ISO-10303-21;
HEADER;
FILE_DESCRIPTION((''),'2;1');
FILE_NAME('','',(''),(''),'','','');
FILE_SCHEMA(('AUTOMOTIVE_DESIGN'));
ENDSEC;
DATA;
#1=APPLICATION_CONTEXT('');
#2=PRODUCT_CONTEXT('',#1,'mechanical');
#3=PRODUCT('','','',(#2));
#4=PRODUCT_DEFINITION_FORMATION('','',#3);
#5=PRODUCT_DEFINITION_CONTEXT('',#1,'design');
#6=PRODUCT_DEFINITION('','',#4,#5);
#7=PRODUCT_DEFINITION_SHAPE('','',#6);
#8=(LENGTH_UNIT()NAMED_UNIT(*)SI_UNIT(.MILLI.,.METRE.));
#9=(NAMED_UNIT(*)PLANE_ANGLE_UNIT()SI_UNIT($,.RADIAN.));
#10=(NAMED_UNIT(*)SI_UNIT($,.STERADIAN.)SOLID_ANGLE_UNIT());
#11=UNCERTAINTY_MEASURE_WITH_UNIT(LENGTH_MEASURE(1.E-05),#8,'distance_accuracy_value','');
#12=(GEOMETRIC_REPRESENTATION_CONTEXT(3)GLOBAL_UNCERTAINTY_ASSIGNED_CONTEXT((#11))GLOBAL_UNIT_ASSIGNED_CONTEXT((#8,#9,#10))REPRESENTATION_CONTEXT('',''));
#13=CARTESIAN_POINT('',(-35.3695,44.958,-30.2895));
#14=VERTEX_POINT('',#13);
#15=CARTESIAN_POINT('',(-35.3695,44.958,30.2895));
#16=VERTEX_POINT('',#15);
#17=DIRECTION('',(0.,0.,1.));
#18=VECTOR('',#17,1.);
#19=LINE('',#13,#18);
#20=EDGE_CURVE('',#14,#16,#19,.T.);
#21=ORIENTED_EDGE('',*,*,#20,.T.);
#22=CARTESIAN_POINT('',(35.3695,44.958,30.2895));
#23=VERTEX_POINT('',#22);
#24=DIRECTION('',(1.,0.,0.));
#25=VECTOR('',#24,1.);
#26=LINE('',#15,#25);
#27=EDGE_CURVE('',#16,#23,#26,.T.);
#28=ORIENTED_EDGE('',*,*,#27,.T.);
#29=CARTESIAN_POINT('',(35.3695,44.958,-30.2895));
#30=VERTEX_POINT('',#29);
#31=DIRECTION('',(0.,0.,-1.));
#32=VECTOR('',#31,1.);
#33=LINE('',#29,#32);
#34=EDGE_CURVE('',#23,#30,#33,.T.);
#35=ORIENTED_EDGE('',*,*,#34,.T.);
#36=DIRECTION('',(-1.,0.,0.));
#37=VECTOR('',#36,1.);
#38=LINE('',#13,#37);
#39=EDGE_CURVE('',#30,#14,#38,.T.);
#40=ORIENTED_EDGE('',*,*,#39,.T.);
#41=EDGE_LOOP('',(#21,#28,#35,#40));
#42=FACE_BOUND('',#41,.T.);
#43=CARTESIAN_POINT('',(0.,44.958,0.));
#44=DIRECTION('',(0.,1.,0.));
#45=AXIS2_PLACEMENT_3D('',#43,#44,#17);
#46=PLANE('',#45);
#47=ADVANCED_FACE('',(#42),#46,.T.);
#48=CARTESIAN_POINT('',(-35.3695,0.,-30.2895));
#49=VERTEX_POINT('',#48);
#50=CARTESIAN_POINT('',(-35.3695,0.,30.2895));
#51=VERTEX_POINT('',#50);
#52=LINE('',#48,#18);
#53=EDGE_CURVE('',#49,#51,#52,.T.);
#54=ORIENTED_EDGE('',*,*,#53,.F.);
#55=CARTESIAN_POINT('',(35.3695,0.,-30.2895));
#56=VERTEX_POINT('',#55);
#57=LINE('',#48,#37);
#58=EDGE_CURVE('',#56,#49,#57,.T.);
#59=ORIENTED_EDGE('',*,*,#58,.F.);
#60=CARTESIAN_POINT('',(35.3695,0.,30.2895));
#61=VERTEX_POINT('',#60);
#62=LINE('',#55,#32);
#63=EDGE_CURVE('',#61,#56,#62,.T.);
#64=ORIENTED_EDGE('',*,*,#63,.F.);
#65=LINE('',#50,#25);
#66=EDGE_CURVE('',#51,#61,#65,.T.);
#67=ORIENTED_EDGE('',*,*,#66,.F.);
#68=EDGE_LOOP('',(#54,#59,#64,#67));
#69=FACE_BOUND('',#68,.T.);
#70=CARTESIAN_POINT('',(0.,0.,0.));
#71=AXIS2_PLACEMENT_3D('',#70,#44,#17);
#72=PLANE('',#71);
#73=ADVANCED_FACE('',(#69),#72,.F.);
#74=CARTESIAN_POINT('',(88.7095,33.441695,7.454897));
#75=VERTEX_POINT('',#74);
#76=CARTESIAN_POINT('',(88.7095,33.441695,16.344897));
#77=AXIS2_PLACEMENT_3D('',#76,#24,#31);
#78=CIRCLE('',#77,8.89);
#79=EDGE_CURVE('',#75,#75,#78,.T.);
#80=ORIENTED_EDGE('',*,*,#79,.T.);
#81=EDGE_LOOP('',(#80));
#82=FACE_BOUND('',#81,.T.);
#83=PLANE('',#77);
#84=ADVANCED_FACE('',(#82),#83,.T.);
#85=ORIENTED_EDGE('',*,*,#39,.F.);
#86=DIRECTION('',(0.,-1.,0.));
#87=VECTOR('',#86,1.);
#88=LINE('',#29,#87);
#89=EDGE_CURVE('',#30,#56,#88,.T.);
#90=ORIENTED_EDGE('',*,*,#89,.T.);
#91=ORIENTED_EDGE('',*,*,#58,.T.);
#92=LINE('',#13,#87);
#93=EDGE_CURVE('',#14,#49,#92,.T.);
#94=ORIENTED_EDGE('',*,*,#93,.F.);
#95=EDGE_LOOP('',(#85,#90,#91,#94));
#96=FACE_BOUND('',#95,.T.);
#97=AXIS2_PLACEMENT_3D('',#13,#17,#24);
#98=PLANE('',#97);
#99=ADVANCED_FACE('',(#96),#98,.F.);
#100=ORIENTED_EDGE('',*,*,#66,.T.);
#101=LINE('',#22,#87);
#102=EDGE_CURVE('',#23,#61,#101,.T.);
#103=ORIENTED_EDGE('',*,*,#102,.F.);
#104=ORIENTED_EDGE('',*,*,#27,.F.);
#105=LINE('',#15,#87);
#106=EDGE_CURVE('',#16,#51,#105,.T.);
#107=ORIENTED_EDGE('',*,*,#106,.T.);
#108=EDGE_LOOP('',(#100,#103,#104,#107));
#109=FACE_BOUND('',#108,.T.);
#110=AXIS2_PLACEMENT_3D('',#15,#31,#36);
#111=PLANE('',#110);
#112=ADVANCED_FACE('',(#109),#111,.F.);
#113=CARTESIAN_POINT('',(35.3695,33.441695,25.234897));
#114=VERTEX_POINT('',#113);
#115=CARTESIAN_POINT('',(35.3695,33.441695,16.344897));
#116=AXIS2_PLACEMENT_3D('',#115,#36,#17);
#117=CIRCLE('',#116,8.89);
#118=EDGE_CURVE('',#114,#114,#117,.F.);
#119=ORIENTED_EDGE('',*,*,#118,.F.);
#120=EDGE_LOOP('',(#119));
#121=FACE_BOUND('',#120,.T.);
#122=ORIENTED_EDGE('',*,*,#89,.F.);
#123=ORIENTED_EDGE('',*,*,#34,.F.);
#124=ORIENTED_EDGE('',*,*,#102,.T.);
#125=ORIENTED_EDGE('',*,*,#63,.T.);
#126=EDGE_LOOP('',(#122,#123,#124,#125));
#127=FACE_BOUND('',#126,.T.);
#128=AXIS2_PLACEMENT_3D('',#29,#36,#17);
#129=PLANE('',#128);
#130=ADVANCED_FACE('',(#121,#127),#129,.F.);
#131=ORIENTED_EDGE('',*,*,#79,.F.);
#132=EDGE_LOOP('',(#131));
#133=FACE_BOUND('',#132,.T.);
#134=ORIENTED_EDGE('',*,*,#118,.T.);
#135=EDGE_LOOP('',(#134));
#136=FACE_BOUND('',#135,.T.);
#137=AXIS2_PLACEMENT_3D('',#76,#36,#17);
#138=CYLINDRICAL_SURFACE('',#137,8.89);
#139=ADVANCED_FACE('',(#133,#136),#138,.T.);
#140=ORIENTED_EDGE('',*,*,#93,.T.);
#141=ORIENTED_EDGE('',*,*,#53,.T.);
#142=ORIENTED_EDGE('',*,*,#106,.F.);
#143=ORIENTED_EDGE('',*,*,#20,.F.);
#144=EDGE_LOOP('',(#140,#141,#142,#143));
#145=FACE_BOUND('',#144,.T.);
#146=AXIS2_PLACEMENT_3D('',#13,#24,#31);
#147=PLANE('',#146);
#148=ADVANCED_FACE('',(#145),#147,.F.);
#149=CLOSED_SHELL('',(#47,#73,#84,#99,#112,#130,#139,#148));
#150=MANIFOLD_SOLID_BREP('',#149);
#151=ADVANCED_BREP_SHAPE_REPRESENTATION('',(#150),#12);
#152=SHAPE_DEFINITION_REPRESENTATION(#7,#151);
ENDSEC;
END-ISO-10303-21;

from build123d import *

# Parameters (mm, degrees)
SKETCH1_W           = 70.739
SKETCH1_H           = 60.579
BOSS_EXTRUDE1_DEPTH = 44.958
SKETCH2_R           = 8.89
BOSS_EXTRUDE2_DEPTH = 53.34


with BuildPart() as part:
    # Sketch1 → Boss-Extrude1 (new body)
    with BuildSketch(Plane(origin=(0, 0, 0), x_dir=(1, 0, 0), z_dir=(0, 1, 0))):
        Rectangle(SKETCH1_W, SKETCH1_H)
    extrude(amount=BOSS_EXTRUDE1_DEPTH)

    # Sketch2 → Boss-Extrude2 (add)
    with BuildSketch(Plane(origin=(35.3695, 0, 0), x_dir=(0, 0, -1), z_dir=(1, 0, 0))):
        with Locations(Location((-16.344897237, 33.441695374, 0), (0, 0, 180))):
            Circle(SKETCH2_R)
    extrude(amount=BOSS_EXTRUDE2_DEPTH)


solid = part.part
